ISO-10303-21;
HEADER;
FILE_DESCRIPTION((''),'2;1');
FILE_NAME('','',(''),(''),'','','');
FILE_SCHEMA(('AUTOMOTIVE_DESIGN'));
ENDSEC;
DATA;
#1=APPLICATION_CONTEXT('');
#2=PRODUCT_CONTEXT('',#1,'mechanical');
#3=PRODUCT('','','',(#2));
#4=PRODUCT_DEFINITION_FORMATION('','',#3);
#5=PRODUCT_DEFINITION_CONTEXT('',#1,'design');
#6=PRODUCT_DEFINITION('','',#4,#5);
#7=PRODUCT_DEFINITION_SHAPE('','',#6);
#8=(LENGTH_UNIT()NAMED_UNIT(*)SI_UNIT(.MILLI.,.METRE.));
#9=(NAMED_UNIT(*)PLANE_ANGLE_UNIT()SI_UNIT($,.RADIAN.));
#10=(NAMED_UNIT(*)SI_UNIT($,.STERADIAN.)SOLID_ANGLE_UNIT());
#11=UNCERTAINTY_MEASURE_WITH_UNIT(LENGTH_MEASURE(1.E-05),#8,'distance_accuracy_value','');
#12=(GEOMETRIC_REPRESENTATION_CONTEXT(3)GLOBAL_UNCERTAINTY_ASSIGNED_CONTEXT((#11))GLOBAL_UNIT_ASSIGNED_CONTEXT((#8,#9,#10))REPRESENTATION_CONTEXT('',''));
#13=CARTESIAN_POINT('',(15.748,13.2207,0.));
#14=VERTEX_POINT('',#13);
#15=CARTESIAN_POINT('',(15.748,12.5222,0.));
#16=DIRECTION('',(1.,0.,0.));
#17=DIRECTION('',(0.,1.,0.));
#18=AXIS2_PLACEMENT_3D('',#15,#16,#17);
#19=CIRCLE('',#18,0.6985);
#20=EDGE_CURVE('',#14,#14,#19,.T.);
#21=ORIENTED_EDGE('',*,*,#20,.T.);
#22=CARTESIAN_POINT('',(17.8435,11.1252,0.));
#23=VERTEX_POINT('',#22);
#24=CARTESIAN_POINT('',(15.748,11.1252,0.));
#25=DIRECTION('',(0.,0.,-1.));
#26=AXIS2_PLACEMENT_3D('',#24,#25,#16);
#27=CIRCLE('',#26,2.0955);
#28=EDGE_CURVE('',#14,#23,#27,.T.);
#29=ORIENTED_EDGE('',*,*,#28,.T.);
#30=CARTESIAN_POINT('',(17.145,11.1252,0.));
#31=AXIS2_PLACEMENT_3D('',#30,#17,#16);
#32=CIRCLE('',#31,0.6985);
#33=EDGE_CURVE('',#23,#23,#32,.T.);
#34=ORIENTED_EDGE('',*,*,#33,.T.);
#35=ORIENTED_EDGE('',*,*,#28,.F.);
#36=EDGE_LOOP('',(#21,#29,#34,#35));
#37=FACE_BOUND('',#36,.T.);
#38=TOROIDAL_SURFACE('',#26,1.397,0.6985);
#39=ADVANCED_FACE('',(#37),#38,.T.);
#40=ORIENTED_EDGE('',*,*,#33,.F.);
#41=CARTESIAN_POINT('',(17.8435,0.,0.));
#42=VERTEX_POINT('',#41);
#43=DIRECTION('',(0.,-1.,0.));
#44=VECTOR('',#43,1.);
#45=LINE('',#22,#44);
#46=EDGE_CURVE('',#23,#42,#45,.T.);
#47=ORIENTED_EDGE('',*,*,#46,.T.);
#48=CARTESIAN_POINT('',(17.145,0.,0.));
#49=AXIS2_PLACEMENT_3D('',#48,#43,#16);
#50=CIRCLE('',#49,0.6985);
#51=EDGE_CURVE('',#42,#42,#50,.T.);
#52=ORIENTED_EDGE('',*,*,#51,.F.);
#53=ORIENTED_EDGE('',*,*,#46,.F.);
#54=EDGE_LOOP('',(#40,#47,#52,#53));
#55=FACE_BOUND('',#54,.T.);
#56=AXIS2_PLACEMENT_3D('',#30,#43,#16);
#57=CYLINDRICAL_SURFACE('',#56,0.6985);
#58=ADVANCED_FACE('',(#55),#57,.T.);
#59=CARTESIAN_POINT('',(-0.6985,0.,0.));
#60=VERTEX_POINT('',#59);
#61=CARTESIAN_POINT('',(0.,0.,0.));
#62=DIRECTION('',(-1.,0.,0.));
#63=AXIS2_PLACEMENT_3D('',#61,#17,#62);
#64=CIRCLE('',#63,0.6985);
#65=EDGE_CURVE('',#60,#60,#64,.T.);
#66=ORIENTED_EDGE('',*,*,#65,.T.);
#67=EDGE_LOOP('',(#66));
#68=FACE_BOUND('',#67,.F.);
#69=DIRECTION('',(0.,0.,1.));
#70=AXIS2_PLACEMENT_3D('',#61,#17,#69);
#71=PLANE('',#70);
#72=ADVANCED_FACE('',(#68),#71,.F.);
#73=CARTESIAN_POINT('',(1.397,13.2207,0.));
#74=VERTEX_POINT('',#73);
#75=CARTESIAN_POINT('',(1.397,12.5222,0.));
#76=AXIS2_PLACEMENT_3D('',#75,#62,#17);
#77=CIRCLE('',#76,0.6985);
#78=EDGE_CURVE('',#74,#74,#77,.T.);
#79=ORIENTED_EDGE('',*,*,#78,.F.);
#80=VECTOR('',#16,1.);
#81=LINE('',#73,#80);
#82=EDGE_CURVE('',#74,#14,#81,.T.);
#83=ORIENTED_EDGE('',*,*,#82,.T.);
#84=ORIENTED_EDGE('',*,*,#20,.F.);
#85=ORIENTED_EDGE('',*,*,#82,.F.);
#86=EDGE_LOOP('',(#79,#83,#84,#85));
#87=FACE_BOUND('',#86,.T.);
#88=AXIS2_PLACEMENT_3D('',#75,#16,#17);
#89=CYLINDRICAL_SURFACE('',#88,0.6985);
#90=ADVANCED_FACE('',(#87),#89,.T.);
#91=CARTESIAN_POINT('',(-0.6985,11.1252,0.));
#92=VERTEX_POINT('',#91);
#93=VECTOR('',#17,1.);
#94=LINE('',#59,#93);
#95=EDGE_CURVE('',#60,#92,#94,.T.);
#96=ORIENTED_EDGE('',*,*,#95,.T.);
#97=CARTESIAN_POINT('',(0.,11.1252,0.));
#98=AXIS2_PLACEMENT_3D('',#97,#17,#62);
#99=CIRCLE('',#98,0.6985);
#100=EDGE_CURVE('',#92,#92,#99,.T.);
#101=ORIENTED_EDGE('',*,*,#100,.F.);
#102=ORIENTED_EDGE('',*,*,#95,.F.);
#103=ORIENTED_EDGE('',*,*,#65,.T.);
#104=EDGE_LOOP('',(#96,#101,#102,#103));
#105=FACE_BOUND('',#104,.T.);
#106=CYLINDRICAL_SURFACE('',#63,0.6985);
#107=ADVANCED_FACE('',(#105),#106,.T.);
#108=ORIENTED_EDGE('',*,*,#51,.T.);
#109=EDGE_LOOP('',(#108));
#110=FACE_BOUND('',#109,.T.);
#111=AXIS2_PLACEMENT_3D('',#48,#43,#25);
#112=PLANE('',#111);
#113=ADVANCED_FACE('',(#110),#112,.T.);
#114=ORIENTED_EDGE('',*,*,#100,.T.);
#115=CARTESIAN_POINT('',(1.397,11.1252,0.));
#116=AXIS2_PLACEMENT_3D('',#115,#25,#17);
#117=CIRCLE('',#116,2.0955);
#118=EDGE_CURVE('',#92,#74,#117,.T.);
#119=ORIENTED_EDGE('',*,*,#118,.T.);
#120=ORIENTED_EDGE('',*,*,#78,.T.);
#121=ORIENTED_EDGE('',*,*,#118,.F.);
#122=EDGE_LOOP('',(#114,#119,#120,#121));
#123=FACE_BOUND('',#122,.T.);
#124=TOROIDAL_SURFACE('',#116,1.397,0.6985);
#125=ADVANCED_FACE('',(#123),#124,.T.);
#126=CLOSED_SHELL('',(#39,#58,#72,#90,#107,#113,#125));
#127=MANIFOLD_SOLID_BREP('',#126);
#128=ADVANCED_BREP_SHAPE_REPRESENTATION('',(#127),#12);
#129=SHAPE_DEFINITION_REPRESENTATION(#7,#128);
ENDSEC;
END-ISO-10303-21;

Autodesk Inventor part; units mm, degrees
ref_plane "YZ Plane" through (0, 0, 0) normal (1, 0, 0) x (0, 1, 0)
ref_plane "XZ Plane" through (0, 0, 0) normal (0, 1, 0) x (-1, 0, 0)
ref_plane "XY Plane" through (0, 0, 0) normal (0, 0, 1) x (1, 0, 0)
sketch "Sketch1" plane through (0, 0, 0) normal (0, 0, 1) x (1, 0, 0)
  line L0 (0, 0) -> (0, 11.1252)
  line L1 (1.397, 12.5222) -> (15.748, 12.5222)
  line L2 (17.145, 11.1252) -> (17.145, 0)
  arc A0 (1.397, 12.5222) -> (0, 11.1252) centre (1.397, 11.1252) ccw
  arc A1 (17.145, 11.1252) -> (15.748, 12.5222) centre (15.748, 11.1252) ccw
  point P0 (0, 12.5222)
  point P1 (17.145, 12.5222)
  dimension "d0" = 12.5222
  dimension "d1" = 17.145
  dimension "d2" = 1.397
sketch "Sketch2" plane through (0, 0, 0) normal (0, 1, 0) x (-1, 0, 0)
  circle A0 centre (0, 0) radius 0.6985
  dimension "d3" = 1.397
sweep "Sweep1" add profiles "Sketch2" path "Sketch1"
properties part number "Large_Staple"
